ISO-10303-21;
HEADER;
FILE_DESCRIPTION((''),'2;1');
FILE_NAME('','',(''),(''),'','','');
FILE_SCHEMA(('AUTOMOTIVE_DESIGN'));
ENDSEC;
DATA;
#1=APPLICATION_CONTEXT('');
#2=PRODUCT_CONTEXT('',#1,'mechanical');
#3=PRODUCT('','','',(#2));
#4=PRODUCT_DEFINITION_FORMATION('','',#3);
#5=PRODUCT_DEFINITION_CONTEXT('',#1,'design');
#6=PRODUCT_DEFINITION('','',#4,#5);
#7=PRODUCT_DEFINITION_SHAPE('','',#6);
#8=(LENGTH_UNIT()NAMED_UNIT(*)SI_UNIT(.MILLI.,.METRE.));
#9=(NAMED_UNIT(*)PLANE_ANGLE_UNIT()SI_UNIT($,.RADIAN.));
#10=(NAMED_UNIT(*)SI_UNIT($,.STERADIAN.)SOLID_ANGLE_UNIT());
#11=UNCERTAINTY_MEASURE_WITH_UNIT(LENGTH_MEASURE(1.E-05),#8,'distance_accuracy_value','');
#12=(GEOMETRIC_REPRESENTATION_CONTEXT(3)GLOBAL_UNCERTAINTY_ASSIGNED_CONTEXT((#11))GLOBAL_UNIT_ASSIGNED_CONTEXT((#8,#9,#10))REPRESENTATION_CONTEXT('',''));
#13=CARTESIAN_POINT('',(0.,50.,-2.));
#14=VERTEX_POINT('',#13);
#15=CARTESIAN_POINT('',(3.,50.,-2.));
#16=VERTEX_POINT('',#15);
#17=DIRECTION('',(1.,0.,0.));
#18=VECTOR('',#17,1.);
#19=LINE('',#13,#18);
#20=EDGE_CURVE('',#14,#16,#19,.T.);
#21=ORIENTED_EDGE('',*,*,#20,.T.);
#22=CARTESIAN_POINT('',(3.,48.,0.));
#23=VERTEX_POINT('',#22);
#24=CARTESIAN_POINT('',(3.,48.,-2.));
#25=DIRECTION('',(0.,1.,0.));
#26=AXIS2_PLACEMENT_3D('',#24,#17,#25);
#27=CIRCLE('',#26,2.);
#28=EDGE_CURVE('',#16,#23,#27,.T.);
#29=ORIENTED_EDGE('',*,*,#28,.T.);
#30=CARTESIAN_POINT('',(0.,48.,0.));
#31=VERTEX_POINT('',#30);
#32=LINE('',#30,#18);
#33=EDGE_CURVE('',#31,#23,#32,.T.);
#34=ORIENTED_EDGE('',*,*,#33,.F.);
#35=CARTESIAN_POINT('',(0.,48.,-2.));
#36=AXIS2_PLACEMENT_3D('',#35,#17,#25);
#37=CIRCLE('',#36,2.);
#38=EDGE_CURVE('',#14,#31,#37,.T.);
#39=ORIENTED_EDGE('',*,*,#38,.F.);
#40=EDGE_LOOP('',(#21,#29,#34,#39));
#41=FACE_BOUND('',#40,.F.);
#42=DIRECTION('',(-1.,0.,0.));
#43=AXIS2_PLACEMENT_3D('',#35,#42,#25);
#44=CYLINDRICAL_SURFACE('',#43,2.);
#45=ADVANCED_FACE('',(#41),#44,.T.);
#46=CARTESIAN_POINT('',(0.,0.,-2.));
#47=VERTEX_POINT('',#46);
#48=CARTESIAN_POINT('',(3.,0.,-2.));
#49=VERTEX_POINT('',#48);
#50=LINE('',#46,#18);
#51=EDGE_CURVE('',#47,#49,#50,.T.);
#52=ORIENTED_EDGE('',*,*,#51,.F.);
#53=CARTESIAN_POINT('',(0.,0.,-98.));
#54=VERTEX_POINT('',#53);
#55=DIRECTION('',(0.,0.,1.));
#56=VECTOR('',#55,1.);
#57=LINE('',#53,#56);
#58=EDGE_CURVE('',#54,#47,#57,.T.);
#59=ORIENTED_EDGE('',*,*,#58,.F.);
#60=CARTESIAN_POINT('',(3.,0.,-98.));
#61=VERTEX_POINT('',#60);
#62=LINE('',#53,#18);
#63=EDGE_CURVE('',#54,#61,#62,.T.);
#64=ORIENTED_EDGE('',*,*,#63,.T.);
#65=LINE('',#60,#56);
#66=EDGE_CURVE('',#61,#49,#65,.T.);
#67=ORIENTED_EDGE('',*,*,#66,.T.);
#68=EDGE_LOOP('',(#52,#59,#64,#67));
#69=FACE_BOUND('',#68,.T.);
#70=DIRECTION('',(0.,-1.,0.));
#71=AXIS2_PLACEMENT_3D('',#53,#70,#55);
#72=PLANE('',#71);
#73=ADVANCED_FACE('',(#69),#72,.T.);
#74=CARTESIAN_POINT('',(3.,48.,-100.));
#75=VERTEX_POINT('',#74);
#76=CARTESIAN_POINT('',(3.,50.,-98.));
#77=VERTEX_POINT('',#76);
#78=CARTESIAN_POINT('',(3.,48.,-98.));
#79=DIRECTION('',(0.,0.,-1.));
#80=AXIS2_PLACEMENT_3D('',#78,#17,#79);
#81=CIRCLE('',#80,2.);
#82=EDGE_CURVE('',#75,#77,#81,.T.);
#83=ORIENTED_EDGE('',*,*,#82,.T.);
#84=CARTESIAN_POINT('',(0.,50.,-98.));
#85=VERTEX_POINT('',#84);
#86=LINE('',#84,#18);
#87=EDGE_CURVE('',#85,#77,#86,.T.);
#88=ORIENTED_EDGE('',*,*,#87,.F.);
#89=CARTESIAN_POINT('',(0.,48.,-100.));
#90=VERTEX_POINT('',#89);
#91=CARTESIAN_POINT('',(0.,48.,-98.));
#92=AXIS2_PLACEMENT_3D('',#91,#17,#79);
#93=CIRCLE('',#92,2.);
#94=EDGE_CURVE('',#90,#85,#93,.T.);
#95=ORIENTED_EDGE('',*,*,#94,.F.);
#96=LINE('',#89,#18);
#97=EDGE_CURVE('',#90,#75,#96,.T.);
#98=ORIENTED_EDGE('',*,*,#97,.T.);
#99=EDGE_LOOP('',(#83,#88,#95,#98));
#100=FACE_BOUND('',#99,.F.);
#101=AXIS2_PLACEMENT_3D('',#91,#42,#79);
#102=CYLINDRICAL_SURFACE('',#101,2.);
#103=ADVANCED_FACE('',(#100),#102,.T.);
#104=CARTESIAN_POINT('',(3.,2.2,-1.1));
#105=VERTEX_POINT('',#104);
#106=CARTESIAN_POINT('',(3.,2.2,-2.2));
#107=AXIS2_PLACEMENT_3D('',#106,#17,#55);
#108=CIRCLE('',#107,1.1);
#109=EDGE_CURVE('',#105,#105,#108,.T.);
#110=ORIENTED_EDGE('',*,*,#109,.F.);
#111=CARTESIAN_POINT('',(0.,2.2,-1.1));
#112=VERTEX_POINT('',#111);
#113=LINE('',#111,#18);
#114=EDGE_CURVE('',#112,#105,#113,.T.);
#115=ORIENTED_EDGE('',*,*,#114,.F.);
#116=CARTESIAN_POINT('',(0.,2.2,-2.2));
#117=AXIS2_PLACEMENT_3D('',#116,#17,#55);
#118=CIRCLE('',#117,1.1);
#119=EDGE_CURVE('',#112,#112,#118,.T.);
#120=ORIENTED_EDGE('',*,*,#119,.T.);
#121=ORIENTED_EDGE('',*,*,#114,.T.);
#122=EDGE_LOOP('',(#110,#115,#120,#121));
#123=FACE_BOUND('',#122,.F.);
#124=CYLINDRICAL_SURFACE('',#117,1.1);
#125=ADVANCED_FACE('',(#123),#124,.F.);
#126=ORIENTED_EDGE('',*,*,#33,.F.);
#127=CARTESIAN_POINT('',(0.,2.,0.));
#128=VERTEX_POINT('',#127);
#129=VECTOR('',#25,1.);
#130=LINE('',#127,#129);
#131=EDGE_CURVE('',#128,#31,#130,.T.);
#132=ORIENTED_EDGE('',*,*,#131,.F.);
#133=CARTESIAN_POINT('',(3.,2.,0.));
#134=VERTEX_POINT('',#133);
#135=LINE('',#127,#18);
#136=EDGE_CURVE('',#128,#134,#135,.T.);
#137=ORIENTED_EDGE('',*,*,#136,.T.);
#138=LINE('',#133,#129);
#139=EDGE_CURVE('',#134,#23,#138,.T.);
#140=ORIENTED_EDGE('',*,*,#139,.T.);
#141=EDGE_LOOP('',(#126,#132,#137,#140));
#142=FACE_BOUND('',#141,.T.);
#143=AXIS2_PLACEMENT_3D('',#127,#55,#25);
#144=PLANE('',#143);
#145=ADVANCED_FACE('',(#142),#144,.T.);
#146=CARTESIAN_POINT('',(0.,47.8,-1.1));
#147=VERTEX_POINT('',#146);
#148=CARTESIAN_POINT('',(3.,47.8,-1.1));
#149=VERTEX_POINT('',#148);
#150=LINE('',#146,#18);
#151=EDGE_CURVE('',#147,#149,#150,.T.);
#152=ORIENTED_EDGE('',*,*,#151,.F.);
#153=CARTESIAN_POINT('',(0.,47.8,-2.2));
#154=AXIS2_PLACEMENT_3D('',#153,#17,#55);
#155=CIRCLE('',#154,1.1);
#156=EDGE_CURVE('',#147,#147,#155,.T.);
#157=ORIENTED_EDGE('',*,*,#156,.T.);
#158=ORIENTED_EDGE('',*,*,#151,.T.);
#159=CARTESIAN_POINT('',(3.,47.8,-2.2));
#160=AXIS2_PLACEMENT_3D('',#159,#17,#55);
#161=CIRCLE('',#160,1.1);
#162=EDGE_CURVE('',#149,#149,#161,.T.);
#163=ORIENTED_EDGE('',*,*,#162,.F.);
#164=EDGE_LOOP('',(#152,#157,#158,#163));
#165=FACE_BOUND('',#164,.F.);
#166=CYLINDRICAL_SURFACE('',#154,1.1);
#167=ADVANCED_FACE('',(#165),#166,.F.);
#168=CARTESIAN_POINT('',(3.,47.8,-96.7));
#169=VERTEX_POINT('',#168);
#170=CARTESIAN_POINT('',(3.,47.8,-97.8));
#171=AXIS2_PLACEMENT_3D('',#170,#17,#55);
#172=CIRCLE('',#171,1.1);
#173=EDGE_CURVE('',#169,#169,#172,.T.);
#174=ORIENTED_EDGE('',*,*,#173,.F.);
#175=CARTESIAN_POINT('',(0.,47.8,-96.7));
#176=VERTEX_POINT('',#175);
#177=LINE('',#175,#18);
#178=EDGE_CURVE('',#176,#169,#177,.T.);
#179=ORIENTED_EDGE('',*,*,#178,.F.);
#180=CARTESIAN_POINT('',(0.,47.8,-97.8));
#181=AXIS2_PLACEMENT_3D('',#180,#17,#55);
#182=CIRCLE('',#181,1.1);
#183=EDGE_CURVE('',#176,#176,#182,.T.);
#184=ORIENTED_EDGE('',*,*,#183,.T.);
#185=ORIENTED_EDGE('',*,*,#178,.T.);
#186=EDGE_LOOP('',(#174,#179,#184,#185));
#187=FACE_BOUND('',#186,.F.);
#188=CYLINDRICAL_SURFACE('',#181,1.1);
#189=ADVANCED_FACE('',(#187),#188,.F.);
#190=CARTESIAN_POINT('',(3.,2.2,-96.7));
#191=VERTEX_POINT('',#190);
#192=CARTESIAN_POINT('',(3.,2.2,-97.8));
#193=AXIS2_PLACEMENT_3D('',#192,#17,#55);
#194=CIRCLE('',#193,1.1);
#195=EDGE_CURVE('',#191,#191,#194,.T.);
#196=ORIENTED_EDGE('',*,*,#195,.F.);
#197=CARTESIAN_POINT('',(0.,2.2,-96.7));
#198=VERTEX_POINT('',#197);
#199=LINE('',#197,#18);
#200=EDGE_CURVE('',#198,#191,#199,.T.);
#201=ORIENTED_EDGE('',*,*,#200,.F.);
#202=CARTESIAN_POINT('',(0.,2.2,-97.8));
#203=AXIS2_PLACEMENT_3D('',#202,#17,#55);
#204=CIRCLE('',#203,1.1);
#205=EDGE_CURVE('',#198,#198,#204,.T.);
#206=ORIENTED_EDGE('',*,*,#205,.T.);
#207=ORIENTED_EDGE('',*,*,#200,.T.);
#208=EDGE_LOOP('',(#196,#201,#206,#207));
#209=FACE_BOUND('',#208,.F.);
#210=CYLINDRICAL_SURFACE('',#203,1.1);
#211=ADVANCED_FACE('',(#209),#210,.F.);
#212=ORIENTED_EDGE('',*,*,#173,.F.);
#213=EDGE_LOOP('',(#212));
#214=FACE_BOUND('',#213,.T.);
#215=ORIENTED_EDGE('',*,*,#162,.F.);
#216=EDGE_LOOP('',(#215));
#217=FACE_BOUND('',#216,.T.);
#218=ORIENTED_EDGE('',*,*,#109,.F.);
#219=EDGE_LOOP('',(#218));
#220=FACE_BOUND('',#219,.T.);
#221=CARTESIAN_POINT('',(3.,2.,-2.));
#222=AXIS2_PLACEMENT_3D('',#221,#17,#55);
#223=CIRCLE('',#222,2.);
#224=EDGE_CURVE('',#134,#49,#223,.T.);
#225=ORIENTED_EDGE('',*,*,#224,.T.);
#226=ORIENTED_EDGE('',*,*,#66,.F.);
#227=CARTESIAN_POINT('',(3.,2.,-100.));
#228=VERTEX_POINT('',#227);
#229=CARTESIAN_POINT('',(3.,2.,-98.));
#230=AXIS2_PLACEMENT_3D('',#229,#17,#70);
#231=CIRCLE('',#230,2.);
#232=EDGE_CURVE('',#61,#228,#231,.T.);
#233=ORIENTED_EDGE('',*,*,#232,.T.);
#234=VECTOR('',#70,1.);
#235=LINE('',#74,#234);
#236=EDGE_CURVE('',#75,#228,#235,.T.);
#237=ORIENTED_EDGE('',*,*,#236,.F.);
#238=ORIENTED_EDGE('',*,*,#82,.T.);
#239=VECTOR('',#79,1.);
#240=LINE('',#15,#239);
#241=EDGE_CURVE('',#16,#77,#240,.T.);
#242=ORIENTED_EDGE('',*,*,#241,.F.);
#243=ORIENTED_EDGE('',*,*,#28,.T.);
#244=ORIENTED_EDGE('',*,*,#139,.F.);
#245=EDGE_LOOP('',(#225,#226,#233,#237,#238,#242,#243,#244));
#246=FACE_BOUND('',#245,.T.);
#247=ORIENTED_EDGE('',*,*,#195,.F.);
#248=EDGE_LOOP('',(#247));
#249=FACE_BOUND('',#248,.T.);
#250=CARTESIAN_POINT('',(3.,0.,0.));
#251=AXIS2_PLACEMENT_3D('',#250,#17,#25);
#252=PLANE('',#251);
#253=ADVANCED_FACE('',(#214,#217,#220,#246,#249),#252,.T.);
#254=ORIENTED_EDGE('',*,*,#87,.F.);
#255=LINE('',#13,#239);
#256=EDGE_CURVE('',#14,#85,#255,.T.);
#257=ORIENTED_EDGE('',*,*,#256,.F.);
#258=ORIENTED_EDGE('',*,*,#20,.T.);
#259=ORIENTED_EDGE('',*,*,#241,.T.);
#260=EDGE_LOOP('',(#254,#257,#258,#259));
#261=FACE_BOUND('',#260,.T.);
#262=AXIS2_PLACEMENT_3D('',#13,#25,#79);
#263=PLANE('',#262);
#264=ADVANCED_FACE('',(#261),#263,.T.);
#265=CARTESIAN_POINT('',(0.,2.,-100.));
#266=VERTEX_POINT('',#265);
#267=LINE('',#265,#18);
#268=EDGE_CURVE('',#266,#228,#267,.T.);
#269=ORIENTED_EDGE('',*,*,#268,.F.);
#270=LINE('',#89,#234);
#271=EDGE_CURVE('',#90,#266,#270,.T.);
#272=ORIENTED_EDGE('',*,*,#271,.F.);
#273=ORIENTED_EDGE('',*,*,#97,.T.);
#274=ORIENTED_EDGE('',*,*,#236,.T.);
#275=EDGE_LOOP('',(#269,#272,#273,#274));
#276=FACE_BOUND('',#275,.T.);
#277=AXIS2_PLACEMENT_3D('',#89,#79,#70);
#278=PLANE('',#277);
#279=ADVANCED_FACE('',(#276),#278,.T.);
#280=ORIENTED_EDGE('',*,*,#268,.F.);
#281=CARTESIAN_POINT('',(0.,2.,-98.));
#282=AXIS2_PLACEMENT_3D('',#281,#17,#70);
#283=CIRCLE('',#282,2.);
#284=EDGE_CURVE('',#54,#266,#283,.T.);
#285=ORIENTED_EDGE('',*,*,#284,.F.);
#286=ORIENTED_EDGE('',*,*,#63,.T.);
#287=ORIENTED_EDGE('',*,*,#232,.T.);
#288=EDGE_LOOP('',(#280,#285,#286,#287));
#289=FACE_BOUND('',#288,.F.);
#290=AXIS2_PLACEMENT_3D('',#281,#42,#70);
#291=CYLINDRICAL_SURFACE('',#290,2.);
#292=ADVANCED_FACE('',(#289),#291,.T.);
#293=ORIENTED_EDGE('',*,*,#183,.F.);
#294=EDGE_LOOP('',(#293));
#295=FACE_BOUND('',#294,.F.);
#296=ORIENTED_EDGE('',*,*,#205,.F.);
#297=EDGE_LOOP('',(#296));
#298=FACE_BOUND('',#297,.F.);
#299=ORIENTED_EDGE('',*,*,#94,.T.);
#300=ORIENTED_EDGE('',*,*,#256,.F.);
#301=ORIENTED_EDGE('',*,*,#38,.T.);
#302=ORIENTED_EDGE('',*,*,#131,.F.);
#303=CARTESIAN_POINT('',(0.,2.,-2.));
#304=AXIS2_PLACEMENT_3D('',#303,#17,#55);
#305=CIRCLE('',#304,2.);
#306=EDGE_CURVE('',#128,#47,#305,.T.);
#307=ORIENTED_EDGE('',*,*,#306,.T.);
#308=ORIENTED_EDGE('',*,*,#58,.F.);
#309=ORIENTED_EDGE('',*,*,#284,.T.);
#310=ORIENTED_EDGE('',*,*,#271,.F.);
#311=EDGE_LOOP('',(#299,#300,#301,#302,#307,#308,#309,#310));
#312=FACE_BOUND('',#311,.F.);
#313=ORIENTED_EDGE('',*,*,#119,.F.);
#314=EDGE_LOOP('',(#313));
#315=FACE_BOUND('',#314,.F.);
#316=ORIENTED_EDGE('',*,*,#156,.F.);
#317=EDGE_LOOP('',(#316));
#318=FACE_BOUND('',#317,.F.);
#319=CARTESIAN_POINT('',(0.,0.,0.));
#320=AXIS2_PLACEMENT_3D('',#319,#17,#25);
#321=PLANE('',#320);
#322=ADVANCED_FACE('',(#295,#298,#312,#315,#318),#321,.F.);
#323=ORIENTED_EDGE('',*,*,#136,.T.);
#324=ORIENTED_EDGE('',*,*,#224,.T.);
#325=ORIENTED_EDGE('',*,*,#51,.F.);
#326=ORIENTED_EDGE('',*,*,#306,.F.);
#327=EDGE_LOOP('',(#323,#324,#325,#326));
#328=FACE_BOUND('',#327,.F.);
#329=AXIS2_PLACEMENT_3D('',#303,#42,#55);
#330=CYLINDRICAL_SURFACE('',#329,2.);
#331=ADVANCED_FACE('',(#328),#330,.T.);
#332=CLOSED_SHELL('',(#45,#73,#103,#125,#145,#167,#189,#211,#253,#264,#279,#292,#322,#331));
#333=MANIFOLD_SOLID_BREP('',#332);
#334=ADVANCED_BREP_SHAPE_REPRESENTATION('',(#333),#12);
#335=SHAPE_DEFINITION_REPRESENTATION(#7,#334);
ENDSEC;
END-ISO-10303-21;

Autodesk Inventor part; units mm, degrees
ref_plane "YZ Plane" through (0, 0, 0) normal (1, 0, 0) x (0, 1, 0)
ref_plane "XZ Plane" through (0, 0, 0) normal (0, 1, 0) x (-1, 0, 0)
ref_plane "XY Plane" through (0, 0, 0) normal (0, 0, 1) x (1, 0, 0)
sketch "Sketch1" plane through (0, 0, 0) normal (1, 0, 0) x (0, 1, 0)
  line L0 (2, 0) -> (48, 0)
  line L1 (50, -2) -> (50, -98)
  line L2 (48, -100) -> (2, -100)
  line L3 (0, -98) -> (0, -2)
  arc A0 (50, -2) -> (48, 0) centre (48, -2) ccw
  arc A1 (0, -98) -> (2, -100) centre (2, -98) ccw
  arc A2 (48, -100) -> (50, -98) centre (48, -98) ccw
  arc A3 (2, 0) -> (0, -2) centre (2, -2) ccw
  circle A4 centre (47.8, -2.2) radius 1.1
  line L4 (50, -50) -> (19.7358, -50) construction
  line L5 (25, 0) -> (25, -33.4431) construction
  circle A5 centre (47.8, -97.8) radius 1.1
  circle A6 centre (2.2, -2.2) radius 1.1
  circle A7 centre (2.2, -97.8) radius 1.1
  point P0 (0, 0)
  point P1 (50, -100)
  point P2 (50, 0)
  point P3 (0, -100)
  point P4 (2, -2)
  point P5 (2, -98)
  dimension "d0" = 50
  dimension "d1" = 100
  dimension "d2" = 2
  dimension "d3" = 2.2
  dimension "d4" = 2.2
  dimension "d5" = 2.2
extrude "Extrusion1" add sketch "Sketch1" along normal blind 3 contours L0 A0 L1 A2 L2 A1 L3 A3 | A4 | A5 | A6 | A7
hole "Hole1" at (0, 47.8, -2.2) at (0, 2.2, -2.2) at (0, 47.8, -97.8) at (0, 2.2, -97.8) direction (1, 0, 0) diameter 2.2 depth 6.3 tip angle 118 clearance for "Countersunk Flat Head Screw ISO 2009/7046" size "M2" standard "ISO"
properties part number "ściana tylna"
